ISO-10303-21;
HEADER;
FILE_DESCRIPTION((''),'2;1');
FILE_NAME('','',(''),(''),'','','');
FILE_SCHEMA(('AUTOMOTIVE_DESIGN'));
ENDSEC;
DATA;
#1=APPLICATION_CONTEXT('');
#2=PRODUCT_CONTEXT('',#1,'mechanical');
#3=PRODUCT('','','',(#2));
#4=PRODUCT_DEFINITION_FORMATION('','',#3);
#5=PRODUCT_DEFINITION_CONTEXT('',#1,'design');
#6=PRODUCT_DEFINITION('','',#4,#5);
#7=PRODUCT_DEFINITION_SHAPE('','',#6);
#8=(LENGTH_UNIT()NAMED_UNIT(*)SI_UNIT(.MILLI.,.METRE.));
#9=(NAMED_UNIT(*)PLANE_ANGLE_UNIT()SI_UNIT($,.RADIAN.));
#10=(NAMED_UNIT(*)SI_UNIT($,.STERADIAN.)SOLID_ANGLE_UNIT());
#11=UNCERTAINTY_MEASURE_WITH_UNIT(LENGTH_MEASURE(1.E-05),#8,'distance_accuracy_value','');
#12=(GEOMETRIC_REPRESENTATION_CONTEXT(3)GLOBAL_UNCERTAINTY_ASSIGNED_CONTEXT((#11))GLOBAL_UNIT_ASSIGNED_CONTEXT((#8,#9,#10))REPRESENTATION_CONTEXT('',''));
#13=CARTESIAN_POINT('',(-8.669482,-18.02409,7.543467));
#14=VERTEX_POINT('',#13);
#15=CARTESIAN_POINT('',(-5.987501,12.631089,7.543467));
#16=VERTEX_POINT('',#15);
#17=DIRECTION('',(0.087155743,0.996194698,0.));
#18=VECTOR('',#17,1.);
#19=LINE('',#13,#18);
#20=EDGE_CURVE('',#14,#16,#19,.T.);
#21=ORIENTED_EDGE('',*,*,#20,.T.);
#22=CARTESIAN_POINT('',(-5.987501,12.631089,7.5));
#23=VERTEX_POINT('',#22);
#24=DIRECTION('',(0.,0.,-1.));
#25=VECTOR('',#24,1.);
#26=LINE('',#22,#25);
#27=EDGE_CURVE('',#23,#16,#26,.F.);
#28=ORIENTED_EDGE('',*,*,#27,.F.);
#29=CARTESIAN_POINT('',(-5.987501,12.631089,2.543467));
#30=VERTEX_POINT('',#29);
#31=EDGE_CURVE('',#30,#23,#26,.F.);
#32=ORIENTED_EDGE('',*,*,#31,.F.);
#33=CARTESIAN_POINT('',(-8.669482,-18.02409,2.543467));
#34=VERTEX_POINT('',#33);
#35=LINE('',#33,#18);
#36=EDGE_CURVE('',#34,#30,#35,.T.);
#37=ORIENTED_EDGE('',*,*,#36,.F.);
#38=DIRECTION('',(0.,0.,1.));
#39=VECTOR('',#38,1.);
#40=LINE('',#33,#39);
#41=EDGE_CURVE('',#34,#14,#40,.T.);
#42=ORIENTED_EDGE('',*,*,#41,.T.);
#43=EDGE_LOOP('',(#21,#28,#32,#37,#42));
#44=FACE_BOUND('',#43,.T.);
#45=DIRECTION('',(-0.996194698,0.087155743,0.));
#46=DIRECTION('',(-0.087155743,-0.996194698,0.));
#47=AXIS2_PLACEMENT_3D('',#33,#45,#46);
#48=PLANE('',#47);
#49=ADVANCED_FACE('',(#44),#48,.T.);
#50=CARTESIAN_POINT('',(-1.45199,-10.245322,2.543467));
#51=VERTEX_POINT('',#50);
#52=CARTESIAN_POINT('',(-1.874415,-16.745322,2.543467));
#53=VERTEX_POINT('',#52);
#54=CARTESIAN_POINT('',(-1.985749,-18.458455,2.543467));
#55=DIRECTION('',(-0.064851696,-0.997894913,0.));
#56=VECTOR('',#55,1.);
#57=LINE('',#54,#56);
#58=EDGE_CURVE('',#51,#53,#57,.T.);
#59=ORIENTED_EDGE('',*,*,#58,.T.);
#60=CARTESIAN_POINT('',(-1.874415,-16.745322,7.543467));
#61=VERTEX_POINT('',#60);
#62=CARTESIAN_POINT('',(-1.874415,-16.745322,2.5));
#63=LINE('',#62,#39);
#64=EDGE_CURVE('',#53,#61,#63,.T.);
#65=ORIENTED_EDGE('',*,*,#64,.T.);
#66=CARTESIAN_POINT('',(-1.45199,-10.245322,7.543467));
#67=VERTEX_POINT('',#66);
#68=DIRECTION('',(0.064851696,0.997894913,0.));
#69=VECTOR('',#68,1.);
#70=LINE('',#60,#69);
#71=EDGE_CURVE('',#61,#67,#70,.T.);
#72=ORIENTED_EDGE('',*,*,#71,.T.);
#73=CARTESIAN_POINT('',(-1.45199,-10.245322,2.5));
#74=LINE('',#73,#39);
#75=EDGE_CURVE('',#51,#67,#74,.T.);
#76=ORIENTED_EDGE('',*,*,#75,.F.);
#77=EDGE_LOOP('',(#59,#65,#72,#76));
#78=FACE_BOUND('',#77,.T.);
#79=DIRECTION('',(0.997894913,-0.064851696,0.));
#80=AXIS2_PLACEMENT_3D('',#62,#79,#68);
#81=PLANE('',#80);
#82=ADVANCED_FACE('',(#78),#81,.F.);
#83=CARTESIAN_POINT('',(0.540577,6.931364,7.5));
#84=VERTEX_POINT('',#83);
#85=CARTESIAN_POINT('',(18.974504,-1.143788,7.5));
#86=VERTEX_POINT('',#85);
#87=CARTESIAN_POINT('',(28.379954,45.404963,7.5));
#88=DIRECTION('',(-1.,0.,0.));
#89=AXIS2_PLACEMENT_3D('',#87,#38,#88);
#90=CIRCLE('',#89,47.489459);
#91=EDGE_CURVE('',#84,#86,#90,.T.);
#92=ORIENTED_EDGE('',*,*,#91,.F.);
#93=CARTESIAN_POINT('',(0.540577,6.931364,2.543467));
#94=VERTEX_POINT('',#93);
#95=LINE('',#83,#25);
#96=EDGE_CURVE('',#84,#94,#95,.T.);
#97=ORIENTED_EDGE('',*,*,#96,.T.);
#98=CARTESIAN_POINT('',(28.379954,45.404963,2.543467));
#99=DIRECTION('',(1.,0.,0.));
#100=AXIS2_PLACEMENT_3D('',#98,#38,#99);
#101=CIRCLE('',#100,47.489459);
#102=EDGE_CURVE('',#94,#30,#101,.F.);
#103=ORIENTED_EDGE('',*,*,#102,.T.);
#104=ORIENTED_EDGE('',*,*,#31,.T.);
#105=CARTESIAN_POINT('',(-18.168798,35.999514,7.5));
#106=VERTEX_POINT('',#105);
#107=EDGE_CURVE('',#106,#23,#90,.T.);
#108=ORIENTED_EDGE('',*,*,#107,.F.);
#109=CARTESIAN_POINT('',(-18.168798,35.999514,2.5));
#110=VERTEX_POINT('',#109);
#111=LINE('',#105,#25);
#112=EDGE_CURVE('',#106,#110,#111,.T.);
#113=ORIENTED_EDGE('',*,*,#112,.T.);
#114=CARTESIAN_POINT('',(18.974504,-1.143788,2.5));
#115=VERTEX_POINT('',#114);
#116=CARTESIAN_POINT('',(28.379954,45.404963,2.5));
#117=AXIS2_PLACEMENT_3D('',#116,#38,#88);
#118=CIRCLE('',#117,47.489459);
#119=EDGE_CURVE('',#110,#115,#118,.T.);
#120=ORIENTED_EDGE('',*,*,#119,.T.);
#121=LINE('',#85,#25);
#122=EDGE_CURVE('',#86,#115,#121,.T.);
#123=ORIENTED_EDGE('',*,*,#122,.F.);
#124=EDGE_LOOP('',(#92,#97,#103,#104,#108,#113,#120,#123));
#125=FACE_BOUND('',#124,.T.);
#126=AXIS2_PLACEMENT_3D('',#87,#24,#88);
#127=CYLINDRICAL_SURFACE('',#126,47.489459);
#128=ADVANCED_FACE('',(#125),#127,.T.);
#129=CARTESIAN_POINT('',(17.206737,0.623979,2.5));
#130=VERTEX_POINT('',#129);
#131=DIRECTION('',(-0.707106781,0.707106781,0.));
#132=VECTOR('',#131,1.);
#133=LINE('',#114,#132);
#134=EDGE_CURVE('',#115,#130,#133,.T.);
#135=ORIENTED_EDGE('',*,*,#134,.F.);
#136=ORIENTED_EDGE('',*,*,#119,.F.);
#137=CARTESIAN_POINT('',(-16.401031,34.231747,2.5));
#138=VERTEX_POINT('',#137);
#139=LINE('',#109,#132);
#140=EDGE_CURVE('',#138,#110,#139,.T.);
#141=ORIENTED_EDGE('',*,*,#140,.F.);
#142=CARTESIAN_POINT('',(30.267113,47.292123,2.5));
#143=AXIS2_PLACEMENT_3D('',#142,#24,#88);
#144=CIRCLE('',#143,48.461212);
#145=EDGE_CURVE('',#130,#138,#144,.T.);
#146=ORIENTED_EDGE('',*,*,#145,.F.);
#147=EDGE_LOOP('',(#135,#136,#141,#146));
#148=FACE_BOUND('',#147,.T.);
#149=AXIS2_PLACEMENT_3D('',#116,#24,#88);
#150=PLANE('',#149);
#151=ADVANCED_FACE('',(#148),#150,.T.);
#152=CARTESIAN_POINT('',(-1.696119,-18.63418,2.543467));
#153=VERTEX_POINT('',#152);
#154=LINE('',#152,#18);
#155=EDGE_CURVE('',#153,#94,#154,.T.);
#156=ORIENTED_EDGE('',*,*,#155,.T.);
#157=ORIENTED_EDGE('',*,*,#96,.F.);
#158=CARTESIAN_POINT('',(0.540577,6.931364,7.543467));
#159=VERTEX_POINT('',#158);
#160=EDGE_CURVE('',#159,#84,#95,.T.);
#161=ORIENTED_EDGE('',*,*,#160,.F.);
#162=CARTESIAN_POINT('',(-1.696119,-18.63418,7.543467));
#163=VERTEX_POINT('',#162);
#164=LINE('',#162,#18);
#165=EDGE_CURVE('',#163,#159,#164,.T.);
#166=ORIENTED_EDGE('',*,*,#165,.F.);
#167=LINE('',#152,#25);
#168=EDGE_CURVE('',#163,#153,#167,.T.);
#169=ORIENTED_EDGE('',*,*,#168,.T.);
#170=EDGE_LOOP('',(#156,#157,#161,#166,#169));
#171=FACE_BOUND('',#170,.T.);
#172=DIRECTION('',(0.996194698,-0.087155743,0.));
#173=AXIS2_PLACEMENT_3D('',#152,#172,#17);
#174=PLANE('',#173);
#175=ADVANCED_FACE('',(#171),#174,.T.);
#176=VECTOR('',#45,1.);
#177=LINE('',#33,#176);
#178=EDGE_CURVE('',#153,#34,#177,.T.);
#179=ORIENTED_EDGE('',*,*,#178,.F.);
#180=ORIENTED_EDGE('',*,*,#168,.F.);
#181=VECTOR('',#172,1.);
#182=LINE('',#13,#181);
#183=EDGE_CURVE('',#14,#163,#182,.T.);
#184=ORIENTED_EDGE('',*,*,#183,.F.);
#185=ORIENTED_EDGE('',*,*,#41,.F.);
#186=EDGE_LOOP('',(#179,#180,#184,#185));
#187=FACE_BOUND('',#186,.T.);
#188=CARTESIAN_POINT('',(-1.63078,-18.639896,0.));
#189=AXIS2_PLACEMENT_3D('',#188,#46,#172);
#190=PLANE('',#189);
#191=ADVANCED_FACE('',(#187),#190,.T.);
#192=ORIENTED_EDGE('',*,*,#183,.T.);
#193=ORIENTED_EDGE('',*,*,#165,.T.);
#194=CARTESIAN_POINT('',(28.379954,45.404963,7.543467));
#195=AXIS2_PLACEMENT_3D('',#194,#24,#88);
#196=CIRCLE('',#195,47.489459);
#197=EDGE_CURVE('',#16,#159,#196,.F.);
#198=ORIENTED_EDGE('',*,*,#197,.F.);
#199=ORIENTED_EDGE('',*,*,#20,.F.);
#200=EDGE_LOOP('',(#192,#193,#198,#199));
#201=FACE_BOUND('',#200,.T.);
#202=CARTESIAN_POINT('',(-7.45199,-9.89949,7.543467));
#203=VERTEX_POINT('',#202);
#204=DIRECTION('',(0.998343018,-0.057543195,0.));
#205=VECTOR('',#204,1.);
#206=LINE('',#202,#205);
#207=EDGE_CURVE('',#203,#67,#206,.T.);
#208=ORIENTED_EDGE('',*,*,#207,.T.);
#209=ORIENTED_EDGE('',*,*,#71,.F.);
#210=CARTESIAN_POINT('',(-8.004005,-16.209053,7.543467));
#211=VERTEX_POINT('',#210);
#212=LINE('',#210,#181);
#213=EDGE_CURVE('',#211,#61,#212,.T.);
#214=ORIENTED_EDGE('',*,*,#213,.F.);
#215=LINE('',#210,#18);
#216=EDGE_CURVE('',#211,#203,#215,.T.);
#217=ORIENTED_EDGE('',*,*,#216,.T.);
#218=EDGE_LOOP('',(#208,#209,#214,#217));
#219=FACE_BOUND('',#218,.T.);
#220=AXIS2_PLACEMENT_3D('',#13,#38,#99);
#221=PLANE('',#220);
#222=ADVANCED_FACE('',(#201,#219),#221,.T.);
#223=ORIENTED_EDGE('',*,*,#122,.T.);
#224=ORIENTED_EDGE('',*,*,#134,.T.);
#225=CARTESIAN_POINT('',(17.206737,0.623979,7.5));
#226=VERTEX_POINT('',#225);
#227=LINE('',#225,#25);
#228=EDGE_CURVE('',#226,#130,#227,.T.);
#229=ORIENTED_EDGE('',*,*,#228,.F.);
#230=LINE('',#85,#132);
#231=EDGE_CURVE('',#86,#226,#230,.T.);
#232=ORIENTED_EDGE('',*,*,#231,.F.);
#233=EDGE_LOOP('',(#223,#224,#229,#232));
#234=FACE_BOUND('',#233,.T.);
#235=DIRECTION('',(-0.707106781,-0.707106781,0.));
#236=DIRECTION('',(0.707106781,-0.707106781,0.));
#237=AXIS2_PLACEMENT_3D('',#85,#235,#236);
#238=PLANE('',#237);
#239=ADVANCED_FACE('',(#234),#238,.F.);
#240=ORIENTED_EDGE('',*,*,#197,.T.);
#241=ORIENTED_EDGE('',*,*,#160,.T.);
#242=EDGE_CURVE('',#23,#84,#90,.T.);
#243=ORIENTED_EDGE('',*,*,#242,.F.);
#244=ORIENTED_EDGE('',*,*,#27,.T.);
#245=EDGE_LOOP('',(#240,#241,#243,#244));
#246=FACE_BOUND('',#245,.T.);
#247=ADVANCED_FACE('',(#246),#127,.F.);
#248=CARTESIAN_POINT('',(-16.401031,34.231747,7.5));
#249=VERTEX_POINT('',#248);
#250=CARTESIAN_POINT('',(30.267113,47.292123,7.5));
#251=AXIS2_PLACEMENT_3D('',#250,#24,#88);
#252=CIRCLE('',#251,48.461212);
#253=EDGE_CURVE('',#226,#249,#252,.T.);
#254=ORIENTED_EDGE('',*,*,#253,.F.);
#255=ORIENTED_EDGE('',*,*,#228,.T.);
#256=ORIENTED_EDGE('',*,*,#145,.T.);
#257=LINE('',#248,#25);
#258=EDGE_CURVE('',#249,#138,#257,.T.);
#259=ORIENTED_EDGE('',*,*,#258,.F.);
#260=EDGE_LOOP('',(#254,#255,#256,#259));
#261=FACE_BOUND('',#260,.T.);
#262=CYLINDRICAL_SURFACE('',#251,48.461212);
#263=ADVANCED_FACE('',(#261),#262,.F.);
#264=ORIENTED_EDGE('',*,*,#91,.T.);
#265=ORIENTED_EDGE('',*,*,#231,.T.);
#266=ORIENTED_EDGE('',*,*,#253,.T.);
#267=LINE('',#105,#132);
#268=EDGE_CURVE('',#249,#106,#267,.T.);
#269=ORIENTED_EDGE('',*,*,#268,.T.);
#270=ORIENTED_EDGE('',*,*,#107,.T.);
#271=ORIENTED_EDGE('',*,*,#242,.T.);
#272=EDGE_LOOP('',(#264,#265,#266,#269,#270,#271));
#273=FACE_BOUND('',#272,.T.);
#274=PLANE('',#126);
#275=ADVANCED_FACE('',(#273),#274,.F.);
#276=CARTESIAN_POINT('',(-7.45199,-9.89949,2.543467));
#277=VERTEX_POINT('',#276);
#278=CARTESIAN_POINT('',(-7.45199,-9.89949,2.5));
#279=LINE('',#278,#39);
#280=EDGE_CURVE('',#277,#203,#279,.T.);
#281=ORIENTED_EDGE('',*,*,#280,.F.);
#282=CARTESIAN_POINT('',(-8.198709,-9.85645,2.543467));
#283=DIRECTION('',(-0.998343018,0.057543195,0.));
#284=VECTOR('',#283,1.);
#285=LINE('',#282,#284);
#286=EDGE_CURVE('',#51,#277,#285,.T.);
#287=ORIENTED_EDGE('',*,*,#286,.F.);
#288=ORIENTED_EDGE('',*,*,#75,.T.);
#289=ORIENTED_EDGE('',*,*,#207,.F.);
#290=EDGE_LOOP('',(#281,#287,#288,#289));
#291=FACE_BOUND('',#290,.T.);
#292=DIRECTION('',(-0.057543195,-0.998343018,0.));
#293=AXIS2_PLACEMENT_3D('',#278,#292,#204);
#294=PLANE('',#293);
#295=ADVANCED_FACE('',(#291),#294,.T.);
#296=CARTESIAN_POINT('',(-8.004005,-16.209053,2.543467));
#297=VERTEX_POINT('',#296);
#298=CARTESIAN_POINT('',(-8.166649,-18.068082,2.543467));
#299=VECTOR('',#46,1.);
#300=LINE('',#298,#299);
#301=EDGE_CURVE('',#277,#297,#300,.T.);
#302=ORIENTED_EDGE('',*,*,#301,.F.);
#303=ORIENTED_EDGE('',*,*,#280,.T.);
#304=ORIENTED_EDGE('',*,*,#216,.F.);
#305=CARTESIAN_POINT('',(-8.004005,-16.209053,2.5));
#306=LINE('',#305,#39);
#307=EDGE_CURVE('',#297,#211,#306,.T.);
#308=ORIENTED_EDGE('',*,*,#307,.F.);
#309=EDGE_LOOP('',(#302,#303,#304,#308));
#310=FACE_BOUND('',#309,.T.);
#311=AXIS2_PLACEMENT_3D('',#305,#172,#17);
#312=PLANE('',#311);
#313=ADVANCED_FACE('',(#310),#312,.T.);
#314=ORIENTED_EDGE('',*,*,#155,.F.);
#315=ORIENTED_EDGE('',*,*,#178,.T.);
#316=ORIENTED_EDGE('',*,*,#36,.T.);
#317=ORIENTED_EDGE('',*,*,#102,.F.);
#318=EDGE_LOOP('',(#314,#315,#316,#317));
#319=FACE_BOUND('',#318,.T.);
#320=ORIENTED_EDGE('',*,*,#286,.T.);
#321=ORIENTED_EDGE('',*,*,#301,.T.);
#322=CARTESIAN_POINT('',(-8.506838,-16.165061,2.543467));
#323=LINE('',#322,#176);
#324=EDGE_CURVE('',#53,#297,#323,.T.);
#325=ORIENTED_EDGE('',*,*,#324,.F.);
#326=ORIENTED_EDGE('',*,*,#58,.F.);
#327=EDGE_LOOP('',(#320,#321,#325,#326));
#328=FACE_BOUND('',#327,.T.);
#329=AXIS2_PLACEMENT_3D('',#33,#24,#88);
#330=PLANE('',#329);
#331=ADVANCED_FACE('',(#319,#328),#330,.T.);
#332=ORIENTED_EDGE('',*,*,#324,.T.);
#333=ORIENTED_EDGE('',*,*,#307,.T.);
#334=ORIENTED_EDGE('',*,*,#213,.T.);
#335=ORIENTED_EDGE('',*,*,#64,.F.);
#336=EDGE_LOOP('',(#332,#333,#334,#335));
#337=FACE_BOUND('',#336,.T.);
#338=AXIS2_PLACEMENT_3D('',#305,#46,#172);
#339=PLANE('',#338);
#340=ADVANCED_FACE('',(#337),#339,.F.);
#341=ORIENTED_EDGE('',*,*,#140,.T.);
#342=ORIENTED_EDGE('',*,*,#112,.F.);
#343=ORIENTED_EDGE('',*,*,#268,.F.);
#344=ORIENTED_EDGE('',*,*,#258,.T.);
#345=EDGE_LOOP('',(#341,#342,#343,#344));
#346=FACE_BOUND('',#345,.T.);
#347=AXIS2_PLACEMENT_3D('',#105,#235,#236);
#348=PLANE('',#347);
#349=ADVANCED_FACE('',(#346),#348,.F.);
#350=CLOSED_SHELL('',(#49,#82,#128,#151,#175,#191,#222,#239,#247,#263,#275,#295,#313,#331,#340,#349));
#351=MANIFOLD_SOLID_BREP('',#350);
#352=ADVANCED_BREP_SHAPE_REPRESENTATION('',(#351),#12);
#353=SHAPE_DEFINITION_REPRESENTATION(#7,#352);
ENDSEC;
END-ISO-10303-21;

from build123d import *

# Parameters (mm, degrees)
BOSS_EXTRUDE1_DEPTH             = 10
SCALE1_SCALE                    = 0.5
BOSS_EXTRUDE2_REACH             = 46.064
BOSS_EXTRUDE2_END_RADIUS        = 47.489459432
SKETCH4_W                       = 5
SKETCH4_H                       = 7
BOSS_EXTRUDE2_DIRECTION_2_DEPTH = 20
CUT_EXTRUDE1_DEPTH              = 42.005284287


with BuildPart() as part:
    # Sketch1 → Boss-Extrude1 (new body)
    with BuildSketch(Plane.XY):
        with BuildLine():
            Line((40.984301278, -16.277292989), (37.448767372, -12.741759083))
            ThreePointArc((37.448767372, -12.741759083), (-4.964984169, 12.060025443), (-29.766768694, 54.473776984))
            Line((-29.766768694, 54.473776984), (-33.3023026, 58.00931089))
            ThreePointArc((-33.3023026, 58.00931089), (-7.365037029, 9.659972583), (40.984301278, -16.277292989))
        make_face()
    extrude(amount=BOSS_EXTRUDE1_DEPTH)


with BuildPart() as part_1:
    # Scale1: scaled about (-3.035293352, 13.98971626, 5)
    add(part.part.scale(SCALE1_SCALE).moved(Location((-1.517646676, 6.99485813, 2.5))))

    # Boss-Extrude2: up to this cylinder (the profile starts outside it)
    boss_extrude2_end = Plane(origin=(28.379953609, 45.404963221, 5.043467), z_dir=(0, 0, -1)) * Cylinder(BOSS_EXTRUDE2_END_RADIUS, 188.106918865, mode=Mode.PRIVATE)
    # Sketch4 → Boss-Extrude2 (add, up to the surface)
    with BuildSketch(Plane(origin=(7.010218182, 0.680511093, -0.258230649), x_dir=(0, 0, -1), z_dir=(0.08715574274766595, 0.9961946980917449, 0)), mode=Mode.PRIVATE) as boss_extrude2_sk1:
        with Locations((-5.301697823, 10.489820344)):
            Rectangle(SKETCH4_W, SKETCH4_H)
    boss_extrude2_tool1 = extrude(boss_extrude2_sk1.sketch, amount=BOSS_EXTRUDE2_REACH, mode=Mode.PRIVATE) - boss_extrude2_end
    add(boss_extrude2_tool1.solids().sort_by_distance((-3.439685, 1.594759, 5.043467))[0])

    # Sketch4 → Boss-Extrude2 direction 2 (add)
    with BuildSketch(Plane(origin=(7.010218182, 0.680511093, -0.258230649), x_dir=(0, 0, -1), z_dir=(0.08715574274766595, 0.9961946980917449, 0))):
        with Locations((-5.301697823, 10.489820344)):
            Rectangle(SKETCH4_W, SKETCH4_H)
    extrude(amount=-BOSS_EXTRUDE2_DIRECTION_2_DEPTH)

    # Sketch10 → Cut-Extrude1 (cut, through all)
    with BuildSketch(Plane.XY.offset(7.543467174)):
        Polygon((-8.004005245, -16.209052666), (-7.451990048, -9.899490092), (-1.451990048, -10.245322297), (-1.874415312, -16.745322297), align=None)
    extrude(amount=-CUT_EXTRUDE1_DEPTH, mode=Mode.SUBTRACT)


solid = part_1.part
